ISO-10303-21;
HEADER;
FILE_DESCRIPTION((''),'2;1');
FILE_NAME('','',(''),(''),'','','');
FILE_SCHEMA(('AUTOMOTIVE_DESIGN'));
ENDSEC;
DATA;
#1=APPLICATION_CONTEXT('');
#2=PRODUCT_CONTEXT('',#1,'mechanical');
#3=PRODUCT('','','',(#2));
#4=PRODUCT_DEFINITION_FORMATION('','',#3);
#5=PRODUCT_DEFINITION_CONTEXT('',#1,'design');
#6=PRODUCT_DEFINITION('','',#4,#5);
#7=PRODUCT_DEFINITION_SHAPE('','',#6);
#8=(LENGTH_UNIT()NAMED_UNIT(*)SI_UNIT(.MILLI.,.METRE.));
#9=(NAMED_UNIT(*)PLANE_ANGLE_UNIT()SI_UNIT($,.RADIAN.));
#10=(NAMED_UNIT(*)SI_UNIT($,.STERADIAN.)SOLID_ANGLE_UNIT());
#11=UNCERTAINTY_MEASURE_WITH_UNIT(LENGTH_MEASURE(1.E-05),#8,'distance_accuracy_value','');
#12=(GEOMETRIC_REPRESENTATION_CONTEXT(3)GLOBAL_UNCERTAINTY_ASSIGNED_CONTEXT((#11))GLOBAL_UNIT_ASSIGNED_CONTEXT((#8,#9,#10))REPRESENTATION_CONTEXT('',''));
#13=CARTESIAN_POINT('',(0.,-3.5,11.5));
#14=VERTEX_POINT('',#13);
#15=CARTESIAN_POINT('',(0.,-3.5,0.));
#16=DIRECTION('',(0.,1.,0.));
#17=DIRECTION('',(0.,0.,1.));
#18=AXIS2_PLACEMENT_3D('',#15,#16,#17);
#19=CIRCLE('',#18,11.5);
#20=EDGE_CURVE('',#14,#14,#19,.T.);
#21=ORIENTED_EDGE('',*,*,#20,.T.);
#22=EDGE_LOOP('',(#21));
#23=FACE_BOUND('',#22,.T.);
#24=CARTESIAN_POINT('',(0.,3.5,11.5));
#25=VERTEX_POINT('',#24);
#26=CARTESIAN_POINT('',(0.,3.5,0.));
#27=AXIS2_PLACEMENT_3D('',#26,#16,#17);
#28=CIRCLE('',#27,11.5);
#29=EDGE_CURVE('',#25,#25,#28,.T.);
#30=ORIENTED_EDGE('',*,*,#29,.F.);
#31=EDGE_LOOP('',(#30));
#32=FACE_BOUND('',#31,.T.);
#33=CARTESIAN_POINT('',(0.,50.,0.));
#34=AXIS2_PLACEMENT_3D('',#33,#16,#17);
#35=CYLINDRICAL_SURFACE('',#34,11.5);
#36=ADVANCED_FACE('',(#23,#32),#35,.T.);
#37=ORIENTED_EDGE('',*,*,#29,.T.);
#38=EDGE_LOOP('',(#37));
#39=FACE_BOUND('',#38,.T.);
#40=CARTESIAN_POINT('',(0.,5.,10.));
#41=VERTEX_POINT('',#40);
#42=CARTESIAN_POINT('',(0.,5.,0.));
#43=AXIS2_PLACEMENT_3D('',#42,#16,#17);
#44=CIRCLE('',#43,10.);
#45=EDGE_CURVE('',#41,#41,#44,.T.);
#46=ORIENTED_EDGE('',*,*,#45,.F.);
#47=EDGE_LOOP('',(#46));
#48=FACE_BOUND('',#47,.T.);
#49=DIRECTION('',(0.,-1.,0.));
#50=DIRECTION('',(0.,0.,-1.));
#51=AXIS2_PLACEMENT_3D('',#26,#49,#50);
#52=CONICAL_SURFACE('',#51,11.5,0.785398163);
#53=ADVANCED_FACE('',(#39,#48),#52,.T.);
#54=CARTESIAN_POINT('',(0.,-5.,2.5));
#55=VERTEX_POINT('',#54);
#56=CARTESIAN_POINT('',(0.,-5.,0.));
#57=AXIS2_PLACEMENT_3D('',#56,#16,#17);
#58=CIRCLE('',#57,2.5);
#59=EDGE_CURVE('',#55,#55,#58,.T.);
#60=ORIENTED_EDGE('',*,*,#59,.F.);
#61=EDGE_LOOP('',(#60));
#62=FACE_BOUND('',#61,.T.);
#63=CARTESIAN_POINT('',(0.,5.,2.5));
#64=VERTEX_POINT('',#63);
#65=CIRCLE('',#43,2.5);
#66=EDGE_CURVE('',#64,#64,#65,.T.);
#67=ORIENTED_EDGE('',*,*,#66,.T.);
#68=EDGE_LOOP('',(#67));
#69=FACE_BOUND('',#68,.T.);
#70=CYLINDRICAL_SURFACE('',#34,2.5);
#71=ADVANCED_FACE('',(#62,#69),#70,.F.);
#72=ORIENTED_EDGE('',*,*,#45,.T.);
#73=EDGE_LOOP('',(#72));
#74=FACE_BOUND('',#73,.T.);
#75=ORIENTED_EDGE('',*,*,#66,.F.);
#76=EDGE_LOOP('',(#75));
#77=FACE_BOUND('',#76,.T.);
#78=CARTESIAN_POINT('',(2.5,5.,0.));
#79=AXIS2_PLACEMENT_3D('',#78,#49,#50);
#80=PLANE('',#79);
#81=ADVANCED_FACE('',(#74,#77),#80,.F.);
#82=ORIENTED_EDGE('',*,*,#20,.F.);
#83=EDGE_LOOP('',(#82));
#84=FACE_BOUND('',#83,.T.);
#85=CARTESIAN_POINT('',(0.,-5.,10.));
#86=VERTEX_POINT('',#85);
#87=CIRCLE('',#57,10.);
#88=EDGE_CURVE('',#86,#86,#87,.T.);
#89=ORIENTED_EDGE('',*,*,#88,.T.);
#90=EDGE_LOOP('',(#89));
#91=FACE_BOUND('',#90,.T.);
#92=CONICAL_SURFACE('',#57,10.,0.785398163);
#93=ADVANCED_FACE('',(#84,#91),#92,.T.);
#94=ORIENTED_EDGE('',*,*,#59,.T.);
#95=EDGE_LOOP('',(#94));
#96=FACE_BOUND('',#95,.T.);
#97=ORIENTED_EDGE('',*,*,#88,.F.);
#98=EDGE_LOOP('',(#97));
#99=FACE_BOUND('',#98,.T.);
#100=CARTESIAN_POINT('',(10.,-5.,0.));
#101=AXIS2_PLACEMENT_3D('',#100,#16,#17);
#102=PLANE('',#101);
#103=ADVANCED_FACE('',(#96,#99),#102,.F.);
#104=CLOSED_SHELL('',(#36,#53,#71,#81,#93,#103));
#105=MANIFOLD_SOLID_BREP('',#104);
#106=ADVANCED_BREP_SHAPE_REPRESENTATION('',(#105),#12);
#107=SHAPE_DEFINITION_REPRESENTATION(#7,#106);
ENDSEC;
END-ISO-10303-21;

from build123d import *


with BuildPart() as part:
    # Sketch1 → Revolve1 (revolve)
    with BuildSketch(Plane.XY):
        Polygon((2.5, 5), (10, 5), (11.5, 3.5), (11.5, -3.5), (10, -5), (2.5, -5), align=None)
    revolve(axis=Axis((0, 50, 0), (0, -1, 0)))


solid = part.part
